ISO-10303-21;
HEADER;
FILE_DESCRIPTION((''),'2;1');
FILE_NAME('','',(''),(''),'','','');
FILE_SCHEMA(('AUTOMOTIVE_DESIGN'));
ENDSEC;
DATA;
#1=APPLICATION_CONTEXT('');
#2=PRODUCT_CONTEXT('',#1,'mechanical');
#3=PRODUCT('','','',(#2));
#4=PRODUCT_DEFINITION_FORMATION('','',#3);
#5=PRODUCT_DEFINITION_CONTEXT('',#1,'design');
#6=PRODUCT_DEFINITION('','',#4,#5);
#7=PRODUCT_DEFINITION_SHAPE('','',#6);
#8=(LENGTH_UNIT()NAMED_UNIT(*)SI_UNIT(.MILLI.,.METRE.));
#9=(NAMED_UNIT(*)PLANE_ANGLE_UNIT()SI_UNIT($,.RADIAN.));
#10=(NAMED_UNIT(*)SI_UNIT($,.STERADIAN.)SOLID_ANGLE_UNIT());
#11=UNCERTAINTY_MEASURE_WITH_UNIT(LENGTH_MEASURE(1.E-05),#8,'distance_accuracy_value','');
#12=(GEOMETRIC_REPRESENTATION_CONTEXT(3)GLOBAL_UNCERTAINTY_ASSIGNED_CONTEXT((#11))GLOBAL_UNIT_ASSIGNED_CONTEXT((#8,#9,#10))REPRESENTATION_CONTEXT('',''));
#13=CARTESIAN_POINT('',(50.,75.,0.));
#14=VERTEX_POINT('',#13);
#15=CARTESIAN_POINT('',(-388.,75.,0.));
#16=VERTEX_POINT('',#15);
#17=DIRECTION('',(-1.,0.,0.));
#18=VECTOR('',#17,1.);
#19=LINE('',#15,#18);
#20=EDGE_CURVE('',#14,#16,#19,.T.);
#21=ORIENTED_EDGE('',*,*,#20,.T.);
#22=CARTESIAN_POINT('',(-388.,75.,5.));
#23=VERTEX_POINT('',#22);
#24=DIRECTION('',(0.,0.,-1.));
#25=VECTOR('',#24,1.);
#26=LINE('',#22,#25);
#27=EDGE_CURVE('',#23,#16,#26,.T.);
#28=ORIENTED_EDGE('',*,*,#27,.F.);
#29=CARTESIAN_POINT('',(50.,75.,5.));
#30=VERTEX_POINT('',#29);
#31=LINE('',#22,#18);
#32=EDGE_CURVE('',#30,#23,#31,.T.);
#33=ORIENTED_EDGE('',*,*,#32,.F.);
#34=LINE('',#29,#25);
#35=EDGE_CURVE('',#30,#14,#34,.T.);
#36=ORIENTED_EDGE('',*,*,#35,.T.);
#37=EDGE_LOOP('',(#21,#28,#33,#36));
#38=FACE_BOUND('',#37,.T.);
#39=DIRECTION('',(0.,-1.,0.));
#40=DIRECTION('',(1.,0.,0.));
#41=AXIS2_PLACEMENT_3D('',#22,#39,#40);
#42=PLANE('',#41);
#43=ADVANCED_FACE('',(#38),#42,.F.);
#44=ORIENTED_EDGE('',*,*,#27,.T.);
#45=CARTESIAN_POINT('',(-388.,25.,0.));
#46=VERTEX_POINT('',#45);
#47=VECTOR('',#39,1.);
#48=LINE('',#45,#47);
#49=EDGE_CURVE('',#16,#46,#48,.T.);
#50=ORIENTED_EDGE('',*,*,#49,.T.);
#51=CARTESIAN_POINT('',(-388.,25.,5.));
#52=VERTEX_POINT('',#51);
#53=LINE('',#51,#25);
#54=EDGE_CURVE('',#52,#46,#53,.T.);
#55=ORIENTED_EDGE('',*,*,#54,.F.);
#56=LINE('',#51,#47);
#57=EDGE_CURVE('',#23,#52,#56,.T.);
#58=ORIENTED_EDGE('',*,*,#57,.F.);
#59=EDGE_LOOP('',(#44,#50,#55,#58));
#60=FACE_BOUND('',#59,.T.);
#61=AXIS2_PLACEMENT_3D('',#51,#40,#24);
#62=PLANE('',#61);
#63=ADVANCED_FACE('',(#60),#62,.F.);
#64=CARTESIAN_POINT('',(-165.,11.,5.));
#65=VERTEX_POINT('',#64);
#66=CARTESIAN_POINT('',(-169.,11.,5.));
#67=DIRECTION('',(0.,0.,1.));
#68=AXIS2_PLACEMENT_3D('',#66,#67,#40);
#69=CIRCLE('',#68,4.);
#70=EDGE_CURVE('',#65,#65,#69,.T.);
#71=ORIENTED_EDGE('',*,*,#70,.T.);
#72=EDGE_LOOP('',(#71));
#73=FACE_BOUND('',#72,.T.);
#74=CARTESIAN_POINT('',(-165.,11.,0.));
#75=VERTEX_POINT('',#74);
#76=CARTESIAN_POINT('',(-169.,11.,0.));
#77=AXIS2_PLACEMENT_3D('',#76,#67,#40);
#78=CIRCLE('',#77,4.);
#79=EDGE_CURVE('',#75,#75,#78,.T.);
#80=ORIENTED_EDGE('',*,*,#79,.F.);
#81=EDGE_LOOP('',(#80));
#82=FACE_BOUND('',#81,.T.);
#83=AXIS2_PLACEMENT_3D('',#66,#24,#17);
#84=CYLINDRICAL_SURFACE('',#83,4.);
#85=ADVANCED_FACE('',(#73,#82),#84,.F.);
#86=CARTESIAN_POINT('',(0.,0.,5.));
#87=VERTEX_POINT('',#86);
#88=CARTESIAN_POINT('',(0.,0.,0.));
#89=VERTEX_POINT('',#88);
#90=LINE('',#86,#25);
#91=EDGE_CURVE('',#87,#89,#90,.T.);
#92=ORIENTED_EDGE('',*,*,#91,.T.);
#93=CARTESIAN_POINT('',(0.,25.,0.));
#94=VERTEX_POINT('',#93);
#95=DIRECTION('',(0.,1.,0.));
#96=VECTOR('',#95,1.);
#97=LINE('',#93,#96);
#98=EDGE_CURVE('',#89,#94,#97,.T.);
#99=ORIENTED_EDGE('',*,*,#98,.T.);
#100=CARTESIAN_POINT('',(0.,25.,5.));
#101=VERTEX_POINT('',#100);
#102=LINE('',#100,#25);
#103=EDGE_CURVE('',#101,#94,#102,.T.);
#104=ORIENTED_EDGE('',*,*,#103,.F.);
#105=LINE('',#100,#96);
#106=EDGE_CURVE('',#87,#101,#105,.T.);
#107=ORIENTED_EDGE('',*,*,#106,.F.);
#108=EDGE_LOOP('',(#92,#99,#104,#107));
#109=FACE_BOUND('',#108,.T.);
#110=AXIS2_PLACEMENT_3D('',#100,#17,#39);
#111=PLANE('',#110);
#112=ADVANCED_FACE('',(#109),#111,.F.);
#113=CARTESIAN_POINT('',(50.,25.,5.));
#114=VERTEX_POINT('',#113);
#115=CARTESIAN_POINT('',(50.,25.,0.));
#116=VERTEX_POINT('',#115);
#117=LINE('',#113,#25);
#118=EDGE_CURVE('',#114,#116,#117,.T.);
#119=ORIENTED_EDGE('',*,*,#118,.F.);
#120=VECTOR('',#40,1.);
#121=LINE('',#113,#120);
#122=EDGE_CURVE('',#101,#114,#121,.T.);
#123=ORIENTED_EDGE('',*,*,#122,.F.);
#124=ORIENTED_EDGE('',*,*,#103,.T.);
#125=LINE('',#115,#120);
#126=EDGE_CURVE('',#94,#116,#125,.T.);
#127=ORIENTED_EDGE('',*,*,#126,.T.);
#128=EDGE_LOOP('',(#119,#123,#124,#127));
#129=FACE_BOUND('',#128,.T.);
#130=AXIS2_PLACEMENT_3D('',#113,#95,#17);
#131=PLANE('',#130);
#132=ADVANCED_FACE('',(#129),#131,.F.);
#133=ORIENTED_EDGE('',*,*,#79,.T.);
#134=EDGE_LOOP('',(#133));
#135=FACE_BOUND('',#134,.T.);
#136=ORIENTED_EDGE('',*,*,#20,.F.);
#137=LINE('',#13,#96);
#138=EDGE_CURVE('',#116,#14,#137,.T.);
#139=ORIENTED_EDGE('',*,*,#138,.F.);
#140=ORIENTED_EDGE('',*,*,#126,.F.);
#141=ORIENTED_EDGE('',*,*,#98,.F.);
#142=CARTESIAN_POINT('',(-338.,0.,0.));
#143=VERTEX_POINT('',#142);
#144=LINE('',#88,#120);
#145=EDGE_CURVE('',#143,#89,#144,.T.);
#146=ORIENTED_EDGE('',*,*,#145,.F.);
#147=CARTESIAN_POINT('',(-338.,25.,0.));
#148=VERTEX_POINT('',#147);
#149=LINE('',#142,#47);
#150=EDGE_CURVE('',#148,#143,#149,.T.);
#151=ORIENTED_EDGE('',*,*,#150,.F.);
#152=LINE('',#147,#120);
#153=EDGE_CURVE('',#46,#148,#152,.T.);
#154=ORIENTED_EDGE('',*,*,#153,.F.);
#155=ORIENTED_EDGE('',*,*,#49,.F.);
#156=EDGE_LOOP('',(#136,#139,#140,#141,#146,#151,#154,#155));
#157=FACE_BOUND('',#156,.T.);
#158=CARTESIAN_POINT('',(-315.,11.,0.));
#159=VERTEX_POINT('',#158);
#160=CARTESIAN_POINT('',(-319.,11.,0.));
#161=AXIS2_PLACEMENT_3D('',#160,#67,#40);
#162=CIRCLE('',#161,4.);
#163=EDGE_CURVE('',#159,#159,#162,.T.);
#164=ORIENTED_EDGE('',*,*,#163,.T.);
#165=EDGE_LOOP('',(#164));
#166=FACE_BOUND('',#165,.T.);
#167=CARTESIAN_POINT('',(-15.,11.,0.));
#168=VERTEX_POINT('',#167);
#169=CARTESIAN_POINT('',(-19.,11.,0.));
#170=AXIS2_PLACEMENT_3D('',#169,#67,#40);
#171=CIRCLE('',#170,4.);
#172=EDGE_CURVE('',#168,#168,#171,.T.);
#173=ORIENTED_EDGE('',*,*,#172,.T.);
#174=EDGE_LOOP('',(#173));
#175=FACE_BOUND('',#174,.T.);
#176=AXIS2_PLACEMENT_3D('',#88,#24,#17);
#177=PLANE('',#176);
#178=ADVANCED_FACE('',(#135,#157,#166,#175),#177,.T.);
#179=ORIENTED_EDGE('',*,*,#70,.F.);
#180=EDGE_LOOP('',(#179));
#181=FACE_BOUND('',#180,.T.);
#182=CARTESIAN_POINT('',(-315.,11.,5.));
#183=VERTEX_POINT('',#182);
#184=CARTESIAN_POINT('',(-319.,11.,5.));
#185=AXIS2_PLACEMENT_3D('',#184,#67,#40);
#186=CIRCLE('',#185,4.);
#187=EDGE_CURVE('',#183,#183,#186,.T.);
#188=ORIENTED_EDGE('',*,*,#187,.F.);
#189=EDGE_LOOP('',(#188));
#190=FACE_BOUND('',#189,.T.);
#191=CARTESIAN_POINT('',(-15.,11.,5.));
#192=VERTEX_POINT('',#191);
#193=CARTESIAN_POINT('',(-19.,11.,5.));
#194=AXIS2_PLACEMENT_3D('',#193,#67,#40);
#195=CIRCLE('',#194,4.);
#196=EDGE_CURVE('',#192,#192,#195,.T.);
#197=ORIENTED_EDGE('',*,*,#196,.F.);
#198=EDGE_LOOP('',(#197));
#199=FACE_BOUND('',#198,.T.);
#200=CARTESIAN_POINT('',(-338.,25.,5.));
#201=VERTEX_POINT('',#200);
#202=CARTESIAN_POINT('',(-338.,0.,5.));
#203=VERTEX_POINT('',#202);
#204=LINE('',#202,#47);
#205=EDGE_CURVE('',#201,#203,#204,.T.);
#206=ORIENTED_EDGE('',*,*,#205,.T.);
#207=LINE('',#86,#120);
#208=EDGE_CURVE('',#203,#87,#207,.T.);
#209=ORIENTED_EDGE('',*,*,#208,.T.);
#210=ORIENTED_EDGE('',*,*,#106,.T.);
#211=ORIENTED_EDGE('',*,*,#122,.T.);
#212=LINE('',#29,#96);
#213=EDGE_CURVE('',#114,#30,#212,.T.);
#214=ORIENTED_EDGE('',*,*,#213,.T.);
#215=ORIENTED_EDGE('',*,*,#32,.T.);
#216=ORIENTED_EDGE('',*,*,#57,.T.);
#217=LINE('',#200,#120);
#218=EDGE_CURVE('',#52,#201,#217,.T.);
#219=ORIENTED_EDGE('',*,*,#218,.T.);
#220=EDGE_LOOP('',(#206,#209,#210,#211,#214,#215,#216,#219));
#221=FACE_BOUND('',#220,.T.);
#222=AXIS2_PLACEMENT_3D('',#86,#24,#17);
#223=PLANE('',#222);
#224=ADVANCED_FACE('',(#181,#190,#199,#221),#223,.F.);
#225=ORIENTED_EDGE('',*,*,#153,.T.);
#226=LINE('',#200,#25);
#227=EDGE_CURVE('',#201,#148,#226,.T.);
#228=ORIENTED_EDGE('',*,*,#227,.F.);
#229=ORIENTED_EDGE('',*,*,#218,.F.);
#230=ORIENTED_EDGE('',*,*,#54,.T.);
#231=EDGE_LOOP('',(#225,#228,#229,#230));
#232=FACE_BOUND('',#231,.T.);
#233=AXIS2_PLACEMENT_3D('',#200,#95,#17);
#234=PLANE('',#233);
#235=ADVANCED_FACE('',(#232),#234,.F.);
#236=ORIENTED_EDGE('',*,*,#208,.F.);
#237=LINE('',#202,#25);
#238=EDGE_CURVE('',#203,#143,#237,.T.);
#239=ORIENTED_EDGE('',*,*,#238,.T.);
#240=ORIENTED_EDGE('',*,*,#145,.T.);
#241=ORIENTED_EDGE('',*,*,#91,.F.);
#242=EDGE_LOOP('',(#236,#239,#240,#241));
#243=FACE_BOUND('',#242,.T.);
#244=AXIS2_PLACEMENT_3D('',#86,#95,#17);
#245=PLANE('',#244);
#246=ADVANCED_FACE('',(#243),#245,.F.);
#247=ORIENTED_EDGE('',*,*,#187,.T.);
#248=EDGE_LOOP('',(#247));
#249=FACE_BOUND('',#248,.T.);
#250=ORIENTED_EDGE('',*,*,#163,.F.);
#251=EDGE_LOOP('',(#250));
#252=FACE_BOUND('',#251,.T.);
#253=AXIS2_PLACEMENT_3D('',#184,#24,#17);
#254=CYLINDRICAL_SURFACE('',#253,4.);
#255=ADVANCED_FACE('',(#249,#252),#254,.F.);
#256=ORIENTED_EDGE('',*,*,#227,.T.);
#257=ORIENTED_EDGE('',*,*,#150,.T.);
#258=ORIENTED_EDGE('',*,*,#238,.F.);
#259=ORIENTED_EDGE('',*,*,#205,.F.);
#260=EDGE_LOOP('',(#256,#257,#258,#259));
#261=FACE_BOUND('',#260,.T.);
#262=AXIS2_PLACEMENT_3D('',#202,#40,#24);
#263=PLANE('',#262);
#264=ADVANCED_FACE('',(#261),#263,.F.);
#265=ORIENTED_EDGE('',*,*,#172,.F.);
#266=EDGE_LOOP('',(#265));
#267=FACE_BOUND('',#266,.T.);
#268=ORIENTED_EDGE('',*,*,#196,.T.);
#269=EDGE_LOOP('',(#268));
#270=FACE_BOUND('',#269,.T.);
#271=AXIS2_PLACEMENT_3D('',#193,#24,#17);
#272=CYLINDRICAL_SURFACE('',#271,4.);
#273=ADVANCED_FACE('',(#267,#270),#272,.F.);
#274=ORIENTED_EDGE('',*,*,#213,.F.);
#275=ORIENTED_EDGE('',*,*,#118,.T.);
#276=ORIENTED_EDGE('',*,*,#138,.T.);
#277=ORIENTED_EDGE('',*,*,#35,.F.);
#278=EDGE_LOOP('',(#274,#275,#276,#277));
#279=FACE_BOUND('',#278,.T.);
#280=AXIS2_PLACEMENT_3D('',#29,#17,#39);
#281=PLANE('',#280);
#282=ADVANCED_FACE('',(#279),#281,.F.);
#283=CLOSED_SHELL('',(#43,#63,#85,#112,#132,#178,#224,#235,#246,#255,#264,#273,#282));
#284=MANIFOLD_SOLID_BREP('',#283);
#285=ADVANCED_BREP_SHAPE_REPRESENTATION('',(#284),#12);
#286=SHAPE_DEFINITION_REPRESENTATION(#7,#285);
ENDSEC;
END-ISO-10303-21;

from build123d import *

# Parameters (mm, degrees)
CROQUIS1_R              = 4
SALIENTE_EXTRUIR1_DEPTH = 5


with BuildPart() as part:
    # Croquis1 → Saliente-Extruir1 (new body)
    with BuildSketch(Plane.XY):
        Polygon((0, 0), (-338, 0), (-338, 25), (-388, 25), (-388, 75), (50, 75), (50, 25), (0, 25), align=None)
        with Locations((-319, 11)):
            Circle(CROQUIS1_R, mode=Mode.SUBTRACT)
        with Locations((-19, 11)):
            Circle(CROQUIS1_R, mode=Mode.SUBTRACT)
        with Locations((-169, 11)):
            Circle(CROQUIS1_R, mode=Mode.SUBTRACT)
    extrude(amount=SALIENTE_EXTRUIR1_DEPTH)


solid = part.part
